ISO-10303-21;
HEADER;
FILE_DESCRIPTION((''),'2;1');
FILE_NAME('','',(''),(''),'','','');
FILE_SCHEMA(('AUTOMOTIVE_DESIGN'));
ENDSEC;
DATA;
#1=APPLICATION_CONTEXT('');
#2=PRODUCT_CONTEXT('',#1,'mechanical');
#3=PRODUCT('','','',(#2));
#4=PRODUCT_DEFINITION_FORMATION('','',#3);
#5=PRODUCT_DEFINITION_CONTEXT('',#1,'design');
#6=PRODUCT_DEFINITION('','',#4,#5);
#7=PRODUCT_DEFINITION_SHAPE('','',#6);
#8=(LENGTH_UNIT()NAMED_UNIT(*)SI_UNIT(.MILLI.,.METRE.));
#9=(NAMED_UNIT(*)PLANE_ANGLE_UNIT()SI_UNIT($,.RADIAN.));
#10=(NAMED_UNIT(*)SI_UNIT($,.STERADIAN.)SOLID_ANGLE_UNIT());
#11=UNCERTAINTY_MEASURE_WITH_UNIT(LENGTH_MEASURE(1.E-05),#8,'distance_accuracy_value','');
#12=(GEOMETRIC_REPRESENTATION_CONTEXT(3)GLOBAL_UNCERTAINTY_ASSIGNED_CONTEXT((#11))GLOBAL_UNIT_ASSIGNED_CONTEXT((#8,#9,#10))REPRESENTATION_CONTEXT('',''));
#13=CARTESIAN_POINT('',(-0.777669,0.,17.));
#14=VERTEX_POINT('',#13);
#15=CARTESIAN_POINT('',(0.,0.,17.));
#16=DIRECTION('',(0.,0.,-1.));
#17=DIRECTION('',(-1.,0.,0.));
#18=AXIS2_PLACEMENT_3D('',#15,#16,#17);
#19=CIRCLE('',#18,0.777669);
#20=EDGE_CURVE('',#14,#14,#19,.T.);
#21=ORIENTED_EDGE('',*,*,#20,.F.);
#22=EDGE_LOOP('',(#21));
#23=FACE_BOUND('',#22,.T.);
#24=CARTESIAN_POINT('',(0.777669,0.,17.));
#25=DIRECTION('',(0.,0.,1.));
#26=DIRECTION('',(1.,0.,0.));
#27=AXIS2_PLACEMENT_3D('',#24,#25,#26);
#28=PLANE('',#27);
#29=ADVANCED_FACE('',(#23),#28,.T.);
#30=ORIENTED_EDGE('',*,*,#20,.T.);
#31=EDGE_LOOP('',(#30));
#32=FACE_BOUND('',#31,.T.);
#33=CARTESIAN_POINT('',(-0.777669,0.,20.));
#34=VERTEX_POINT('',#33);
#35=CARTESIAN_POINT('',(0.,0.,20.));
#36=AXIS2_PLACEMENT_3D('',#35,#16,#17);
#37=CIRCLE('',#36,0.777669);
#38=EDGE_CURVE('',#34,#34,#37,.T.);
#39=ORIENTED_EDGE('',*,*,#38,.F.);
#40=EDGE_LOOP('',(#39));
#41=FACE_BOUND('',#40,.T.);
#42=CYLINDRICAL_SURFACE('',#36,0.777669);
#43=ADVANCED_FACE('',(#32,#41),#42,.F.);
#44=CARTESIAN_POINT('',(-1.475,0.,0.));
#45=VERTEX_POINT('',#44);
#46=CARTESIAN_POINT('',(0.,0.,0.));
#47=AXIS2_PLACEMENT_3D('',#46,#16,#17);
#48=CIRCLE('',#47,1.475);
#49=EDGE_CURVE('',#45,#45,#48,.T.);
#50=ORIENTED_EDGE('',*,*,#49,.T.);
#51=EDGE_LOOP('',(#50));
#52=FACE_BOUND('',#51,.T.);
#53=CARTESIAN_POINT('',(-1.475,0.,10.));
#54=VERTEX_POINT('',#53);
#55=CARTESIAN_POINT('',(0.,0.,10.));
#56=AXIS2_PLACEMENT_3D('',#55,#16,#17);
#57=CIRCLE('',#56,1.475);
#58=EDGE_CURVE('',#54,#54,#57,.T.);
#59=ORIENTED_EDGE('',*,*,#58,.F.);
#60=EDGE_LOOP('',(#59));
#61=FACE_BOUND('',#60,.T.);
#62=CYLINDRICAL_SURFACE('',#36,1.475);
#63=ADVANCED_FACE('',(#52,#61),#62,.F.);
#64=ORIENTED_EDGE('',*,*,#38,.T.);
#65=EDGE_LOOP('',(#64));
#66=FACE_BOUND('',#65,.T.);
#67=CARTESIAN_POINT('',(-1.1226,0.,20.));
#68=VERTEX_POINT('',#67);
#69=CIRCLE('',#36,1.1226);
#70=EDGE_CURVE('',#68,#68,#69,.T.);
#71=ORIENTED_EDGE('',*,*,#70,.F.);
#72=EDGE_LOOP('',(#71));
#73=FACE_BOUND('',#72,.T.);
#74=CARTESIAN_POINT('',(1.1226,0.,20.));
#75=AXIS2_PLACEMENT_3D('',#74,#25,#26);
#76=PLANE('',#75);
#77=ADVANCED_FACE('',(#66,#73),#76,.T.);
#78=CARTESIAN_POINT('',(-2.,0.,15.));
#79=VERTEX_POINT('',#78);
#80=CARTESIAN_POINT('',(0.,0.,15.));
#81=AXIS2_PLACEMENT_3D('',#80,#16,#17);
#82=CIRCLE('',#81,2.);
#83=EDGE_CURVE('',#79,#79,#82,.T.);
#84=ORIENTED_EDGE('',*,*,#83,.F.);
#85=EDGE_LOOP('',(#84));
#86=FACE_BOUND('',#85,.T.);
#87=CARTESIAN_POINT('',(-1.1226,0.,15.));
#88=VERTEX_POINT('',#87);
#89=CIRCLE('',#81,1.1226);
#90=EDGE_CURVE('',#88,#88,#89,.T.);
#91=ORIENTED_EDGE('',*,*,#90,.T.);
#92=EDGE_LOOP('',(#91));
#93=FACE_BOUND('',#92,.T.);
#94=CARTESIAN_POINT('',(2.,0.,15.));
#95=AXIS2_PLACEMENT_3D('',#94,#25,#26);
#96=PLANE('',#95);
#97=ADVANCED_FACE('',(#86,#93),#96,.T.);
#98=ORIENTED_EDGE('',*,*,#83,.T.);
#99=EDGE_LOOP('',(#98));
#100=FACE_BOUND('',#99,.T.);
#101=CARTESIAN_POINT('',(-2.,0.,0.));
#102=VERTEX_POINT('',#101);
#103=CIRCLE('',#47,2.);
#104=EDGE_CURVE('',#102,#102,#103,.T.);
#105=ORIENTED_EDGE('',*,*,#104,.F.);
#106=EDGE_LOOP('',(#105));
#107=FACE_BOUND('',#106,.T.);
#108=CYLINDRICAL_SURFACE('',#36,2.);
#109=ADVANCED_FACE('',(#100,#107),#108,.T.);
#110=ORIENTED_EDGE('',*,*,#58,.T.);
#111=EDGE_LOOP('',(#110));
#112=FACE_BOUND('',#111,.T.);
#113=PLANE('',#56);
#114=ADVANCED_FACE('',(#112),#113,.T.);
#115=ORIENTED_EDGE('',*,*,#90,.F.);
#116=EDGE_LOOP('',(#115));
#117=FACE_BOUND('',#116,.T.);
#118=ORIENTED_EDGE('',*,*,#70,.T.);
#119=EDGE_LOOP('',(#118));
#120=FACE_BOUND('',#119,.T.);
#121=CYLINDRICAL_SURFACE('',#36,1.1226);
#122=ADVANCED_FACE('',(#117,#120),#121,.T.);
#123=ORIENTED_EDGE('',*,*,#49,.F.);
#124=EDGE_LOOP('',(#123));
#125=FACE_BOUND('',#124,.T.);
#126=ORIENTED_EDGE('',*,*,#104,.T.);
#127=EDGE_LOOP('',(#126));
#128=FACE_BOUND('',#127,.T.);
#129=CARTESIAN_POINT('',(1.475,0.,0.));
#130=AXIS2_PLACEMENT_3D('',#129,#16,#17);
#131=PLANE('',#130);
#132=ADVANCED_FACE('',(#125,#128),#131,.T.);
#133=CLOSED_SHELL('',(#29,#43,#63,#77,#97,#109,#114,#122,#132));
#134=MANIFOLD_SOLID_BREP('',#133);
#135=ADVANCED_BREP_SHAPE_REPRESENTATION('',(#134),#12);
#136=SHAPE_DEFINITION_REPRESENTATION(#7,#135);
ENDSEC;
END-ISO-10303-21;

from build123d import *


with BuildPart() as part:
    # Sketch1 → Revolve1 (revolve)
    with BuildSketch(Plane.XZ):
        Polygon((0.777669257, 17), (0, 17), (0, 10), (1.475, 10), (1.475, 0), (2, 0), (2, 15), (1.12260037, 15), (1.12260037, 20), (0.777669257, 20), align=None)
    revolve(axis=Axis((0, 0, 20), (0, 0, -1)))


solid = part.part
